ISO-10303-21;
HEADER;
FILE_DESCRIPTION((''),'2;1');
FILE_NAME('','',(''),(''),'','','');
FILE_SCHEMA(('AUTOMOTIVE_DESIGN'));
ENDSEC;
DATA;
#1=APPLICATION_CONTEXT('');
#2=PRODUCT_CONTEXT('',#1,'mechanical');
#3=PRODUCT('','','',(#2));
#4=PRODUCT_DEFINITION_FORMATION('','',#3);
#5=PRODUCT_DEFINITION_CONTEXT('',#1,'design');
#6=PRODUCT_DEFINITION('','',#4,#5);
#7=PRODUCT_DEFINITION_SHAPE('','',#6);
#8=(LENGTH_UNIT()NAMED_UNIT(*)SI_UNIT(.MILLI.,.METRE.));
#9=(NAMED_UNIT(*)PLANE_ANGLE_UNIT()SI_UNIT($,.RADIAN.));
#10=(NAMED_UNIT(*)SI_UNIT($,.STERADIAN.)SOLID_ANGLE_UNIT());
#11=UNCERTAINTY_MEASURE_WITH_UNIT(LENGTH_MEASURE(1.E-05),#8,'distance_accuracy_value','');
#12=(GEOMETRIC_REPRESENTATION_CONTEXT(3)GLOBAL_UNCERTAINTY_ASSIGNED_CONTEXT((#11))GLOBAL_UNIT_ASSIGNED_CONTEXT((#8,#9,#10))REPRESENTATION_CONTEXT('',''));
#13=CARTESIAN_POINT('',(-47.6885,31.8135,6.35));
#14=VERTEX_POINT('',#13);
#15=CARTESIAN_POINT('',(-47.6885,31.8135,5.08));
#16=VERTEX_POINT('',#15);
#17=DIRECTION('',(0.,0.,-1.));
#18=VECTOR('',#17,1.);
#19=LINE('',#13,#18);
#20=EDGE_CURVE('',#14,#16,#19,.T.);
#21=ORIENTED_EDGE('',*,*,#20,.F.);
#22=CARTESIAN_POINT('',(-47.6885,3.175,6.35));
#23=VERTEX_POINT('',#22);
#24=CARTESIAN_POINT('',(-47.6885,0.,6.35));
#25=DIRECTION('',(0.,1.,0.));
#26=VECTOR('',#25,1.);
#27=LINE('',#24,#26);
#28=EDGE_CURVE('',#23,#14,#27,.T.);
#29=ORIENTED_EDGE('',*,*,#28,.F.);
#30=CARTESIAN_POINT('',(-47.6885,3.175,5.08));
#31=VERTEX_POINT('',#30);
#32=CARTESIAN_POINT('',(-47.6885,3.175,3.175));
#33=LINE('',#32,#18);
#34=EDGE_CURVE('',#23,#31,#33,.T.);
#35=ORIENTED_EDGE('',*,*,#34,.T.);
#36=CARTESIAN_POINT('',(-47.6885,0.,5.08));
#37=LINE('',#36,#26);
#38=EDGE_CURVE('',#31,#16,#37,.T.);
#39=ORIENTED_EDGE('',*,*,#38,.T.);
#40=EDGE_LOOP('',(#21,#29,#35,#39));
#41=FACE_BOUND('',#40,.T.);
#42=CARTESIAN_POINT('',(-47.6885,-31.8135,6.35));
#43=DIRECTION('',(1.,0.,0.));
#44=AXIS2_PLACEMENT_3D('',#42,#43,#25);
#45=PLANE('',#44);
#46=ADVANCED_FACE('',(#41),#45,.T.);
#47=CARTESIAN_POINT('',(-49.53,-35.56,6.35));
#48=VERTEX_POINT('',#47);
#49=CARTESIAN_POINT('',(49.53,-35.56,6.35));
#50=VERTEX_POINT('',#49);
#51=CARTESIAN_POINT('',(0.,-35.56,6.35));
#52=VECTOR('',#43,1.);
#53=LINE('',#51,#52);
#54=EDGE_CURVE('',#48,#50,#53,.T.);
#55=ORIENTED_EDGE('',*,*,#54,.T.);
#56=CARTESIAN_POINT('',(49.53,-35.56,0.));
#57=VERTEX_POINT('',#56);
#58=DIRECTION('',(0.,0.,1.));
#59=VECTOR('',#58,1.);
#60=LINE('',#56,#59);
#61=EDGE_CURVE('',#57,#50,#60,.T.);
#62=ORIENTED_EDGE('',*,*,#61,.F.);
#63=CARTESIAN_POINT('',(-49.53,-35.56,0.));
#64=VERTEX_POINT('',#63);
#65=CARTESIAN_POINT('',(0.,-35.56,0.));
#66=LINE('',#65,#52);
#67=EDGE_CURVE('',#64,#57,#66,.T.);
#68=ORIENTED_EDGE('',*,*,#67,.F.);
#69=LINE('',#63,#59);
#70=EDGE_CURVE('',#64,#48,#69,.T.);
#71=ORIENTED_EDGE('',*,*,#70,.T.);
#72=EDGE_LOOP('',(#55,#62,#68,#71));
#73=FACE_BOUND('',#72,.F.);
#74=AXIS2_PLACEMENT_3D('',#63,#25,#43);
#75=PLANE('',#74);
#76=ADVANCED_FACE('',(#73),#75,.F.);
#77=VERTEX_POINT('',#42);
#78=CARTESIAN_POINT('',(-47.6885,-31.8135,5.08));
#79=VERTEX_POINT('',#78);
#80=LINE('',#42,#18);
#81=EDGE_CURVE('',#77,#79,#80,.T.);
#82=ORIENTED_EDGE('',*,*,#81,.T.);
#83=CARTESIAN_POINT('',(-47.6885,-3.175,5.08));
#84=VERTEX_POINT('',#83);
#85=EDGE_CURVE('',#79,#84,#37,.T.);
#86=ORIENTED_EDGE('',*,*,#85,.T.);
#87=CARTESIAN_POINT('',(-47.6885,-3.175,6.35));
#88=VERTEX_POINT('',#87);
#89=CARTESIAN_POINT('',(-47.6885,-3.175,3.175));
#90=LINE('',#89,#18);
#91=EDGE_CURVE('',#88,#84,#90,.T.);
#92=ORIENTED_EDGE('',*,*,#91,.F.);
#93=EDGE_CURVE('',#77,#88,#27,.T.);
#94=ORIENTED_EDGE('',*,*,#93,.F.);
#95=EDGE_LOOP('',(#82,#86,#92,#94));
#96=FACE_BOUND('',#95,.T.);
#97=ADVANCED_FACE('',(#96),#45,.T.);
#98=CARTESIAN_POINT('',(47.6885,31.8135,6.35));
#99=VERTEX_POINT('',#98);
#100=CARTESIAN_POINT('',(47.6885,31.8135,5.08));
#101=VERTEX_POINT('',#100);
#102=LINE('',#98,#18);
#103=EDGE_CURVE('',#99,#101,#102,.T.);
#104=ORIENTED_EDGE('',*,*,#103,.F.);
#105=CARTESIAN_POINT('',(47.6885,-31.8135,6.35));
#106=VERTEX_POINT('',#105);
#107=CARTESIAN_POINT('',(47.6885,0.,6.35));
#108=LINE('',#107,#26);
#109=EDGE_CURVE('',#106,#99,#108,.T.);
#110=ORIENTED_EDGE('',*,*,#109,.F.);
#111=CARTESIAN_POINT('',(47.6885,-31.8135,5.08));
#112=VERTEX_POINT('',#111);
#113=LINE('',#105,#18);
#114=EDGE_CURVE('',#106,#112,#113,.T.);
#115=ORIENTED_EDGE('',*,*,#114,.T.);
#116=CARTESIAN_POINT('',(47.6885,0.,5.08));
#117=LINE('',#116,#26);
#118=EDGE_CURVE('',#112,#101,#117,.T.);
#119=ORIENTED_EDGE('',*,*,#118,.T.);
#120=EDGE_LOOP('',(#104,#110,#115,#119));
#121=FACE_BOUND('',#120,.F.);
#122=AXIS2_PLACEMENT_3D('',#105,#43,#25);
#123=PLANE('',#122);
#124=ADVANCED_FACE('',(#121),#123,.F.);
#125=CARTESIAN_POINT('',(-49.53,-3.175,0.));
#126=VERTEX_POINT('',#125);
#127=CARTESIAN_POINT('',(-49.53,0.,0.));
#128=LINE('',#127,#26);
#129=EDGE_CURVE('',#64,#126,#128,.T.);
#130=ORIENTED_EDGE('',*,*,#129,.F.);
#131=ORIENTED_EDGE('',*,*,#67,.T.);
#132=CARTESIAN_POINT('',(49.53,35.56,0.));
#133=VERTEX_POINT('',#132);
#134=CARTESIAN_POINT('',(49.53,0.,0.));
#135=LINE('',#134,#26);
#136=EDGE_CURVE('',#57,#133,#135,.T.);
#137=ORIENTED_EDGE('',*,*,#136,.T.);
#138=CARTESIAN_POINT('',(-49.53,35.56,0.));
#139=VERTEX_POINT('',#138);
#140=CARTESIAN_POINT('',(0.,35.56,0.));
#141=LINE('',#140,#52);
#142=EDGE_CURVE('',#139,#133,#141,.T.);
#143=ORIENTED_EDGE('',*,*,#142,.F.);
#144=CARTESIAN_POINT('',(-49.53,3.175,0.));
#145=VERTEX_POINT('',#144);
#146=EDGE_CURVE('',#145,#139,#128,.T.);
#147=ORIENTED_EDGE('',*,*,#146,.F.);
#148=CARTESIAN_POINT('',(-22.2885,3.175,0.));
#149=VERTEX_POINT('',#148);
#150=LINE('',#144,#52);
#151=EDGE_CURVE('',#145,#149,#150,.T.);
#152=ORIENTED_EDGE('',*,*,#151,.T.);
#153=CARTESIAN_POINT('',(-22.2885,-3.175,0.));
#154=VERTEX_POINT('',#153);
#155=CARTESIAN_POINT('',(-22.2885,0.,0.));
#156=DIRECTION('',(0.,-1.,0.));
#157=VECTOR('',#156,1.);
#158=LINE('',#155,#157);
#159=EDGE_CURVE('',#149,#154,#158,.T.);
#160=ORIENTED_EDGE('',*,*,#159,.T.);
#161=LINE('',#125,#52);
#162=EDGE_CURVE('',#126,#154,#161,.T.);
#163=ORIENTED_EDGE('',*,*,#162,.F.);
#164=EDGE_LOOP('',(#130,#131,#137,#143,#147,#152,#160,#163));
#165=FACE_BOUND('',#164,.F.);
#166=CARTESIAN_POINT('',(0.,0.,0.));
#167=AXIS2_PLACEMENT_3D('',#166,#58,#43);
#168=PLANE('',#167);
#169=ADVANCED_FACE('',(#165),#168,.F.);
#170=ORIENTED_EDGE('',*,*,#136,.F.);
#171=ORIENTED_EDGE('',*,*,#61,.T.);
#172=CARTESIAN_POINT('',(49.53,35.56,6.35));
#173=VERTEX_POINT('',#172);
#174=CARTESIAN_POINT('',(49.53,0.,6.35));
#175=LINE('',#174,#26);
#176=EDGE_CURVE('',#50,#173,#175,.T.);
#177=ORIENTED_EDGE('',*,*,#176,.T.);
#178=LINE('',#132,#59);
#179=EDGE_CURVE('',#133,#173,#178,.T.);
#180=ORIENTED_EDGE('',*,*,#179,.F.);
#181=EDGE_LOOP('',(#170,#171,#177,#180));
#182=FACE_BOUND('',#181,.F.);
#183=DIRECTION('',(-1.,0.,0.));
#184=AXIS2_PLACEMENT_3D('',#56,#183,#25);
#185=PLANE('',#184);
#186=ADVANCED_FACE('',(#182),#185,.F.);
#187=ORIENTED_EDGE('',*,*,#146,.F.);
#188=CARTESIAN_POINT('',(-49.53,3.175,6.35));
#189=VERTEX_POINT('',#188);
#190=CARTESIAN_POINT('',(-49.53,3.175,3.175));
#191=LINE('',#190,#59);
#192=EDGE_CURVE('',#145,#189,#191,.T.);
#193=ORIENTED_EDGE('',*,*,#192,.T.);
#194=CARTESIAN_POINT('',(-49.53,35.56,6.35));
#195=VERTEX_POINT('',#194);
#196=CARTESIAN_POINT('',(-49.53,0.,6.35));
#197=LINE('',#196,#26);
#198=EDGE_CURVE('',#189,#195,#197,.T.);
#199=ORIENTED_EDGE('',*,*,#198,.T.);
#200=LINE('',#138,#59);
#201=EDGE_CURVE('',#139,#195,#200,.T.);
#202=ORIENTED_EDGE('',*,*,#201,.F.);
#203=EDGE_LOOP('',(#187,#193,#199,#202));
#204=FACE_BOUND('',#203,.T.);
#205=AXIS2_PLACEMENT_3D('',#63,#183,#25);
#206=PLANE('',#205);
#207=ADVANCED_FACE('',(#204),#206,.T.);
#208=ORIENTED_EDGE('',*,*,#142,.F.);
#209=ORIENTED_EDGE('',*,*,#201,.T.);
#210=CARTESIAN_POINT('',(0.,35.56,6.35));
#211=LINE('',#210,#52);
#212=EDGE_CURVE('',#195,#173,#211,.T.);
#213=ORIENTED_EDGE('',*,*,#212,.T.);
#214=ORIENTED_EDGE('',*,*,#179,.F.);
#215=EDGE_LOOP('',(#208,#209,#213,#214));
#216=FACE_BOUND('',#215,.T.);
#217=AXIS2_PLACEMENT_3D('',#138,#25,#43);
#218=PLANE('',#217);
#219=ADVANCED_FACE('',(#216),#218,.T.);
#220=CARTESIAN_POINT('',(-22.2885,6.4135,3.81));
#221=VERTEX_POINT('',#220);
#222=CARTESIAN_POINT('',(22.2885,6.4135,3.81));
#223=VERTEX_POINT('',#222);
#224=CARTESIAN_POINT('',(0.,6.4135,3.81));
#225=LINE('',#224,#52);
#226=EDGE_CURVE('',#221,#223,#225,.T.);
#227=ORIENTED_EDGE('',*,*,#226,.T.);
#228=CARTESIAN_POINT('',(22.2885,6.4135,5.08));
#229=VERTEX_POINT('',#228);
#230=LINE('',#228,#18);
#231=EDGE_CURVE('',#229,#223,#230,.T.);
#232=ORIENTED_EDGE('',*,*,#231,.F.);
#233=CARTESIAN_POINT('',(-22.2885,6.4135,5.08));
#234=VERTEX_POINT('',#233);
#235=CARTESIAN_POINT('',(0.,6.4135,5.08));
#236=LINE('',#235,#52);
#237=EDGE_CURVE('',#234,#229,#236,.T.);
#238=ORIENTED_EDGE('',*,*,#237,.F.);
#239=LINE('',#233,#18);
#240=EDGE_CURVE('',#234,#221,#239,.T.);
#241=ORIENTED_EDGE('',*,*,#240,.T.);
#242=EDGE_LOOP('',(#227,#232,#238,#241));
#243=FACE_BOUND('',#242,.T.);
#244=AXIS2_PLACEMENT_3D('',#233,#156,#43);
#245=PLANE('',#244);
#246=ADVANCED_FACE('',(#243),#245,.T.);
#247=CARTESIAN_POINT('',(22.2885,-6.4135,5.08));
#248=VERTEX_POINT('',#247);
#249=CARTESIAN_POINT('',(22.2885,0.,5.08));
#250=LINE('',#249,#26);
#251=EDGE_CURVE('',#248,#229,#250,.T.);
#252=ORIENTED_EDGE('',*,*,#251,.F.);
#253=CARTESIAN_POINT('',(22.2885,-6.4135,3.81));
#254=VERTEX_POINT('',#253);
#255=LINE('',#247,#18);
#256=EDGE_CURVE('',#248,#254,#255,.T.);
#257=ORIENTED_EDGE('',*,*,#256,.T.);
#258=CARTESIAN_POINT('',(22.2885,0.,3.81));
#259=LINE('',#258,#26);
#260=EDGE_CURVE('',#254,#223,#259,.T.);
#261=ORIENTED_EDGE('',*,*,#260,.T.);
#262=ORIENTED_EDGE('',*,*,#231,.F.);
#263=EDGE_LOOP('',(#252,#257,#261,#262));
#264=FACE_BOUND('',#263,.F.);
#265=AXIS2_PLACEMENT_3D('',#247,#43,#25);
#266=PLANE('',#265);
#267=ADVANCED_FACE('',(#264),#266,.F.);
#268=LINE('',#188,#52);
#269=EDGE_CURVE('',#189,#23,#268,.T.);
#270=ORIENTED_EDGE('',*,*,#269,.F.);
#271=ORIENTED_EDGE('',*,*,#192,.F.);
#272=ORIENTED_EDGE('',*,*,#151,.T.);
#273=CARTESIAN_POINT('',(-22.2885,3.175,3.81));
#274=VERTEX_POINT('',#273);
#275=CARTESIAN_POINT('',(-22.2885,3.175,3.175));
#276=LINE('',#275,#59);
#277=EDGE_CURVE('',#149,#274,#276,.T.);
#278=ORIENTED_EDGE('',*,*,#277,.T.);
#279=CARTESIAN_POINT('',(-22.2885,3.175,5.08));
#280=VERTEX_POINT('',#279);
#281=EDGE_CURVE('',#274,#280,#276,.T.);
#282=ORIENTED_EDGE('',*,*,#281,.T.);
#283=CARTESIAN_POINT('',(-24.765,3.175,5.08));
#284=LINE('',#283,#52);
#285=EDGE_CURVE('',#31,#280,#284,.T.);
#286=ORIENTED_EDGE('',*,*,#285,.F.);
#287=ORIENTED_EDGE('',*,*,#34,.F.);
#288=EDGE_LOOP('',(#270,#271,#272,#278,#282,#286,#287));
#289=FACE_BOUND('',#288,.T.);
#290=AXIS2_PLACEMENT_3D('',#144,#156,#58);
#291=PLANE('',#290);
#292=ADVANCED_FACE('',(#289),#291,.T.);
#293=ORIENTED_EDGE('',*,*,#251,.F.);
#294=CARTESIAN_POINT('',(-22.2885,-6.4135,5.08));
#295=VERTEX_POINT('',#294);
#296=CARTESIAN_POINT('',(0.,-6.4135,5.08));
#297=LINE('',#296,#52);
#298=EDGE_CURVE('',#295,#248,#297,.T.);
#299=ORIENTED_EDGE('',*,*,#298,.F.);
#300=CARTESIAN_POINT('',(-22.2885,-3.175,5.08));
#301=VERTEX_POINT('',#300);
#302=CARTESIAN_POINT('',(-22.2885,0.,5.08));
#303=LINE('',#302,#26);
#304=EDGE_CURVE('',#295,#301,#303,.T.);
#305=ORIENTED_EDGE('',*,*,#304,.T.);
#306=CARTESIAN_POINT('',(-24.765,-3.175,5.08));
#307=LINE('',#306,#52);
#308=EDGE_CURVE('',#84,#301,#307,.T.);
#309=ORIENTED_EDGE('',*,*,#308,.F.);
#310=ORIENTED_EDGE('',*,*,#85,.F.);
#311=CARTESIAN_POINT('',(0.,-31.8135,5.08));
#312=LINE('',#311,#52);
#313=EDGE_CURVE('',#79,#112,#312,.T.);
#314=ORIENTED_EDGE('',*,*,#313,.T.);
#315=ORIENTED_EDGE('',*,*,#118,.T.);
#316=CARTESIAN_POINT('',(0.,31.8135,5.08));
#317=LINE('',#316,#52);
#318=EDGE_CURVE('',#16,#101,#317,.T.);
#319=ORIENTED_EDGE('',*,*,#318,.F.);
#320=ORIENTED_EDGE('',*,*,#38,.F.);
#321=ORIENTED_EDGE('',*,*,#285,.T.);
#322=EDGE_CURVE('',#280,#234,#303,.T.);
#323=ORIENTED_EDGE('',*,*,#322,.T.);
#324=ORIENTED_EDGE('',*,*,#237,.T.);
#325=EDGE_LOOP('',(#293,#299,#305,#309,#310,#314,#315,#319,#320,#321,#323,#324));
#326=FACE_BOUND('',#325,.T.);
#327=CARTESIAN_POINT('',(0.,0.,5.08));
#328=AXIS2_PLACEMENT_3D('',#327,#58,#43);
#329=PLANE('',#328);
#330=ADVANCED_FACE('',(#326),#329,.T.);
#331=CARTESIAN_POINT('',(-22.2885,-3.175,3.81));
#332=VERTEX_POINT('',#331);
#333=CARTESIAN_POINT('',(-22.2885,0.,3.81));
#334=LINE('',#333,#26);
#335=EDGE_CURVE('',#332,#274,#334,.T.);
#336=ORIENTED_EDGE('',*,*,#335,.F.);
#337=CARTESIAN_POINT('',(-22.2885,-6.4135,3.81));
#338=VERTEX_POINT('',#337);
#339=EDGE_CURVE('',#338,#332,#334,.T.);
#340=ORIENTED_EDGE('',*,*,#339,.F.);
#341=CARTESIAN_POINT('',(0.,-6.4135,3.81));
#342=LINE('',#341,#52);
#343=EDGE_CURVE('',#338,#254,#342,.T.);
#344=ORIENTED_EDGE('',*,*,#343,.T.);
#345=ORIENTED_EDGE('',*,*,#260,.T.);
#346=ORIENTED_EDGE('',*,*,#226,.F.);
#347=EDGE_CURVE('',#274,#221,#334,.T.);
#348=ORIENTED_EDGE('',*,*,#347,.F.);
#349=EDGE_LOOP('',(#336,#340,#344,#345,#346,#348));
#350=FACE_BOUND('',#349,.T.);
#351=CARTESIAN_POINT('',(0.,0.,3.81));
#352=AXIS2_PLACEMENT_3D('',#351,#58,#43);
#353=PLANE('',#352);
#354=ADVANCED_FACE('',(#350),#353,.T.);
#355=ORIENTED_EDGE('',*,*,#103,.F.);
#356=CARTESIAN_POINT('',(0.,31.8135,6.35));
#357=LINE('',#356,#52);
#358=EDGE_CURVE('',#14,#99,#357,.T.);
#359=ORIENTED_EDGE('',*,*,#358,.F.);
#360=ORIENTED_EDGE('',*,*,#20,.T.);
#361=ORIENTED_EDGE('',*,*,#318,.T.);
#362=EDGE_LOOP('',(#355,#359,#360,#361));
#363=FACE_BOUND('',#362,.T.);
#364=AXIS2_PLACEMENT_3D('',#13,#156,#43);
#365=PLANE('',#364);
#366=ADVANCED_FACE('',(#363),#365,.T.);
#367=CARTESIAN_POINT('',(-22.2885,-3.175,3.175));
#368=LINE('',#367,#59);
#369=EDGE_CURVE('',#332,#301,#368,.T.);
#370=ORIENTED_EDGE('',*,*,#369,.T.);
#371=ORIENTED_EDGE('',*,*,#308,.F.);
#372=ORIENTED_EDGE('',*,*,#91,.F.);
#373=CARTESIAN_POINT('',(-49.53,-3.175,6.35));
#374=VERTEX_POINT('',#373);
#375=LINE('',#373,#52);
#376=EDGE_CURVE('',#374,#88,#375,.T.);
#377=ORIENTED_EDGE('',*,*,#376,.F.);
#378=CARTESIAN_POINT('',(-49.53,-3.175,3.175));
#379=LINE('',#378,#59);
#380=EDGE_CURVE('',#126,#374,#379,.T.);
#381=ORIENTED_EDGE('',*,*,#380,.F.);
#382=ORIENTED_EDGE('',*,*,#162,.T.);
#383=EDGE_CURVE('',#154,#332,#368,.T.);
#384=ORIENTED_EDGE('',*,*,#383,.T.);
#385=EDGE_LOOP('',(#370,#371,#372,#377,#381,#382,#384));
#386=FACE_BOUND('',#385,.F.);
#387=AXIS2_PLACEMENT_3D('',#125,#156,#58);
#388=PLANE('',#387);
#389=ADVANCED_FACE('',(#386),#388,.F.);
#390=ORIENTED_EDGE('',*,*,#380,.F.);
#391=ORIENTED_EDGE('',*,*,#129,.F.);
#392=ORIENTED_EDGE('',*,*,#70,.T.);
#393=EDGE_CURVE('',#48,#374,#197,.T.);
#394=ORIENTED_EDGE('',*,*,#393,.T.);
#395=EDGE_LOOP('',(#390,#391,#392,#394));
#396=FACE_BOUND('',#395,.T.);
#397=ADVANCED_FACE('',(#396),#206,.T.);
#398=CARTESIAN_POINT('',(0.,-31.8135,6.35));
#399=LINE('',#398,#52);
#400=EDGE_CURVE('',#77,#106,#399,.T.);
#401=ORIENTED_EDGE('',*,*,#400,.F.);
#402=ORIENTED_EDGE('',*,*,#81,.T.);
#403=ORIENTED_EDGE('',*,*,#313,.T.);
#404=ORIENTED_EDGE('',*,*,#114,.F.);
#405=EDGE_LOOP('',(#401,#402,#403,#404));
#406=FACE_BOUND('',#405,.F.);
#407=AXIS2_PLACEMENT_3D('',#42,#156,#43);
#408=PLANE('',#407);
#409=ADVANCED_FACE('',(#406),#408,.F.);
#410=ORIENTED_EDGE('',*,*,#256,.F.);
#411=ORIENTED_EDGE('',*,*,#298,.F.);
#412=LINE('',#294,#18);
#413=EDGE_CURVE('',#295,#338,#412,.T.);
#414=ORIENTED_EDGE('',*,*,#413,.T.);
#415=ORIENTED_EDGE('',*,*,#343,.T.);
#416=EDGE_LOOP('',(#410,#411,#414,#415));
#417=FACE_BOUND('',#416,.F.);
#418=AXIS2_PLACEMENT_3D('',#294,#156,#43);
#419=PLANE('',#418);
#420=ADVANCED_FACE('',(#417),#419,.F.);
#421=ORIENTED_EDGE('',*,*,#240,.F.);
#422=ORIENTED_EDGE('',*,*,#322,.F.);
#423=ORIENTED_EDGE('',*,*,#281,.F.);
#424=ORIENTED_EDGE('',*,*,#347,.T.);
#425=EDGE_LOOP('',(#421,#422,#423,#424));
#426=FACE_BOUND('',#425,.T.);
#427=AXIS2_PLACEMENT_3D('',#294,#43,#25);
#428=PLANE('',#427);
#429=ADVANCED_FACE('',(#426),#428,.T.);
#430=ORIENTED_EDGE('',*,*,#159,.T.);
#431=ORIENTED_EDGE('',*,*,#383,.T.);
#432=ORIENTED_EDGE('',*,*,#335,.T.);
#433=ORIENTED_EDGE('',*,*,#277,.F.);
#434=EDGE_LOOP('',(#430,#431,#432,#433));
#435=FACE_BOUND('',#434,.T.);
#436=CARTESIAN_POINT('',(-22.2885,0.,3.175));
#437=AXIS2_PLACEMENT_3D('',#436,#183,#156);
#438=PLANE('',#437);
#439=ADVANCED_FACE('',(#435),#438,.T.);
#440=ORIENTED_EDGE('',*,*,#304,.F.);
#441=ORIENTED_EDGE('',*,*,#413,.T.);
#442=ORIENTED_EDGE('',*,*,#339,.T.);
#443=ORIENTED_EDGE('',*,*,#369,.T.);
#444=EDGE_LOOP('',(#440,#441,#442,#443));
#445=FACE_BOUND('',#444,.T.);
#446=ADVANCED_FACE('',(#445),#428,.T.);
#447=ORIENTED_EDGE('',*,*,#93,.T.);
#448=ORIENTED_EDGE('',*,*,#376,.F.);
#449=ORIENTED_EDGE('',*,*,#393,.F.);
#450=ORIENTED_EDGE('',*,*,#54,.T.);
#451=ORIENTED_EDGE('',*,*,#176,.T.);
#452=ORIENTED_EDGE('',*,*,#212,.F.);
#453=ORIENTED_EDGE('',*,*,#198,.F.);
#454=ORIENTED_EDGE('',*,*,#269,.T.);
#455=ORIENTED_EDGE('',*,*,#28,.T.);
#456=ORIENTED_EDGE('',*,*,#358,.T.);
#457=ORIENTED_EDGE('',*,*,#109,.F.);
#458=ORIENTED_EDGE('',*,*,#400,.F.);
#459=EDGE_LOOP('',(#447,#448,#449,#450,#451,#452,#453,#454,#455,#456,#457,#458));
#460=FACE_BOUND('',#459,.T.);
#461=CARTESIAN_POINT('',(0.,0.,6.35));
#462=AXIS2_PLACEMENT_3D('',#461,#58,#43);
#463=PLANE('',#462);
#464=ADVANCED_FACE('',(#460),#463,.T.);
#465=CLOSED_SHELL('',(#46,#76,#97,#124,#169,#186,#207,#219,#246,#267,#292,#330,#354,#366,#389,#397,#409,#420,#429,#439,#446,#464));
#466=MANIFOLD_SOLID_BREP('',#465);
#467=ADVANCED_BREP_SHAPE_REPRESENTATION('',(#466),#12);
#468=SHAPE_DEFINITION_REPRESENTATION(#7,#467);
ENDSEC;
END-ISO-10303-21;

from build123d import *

# Parameters (mm, degrees)
F0_W     = 99.06
F0_H     = 71.12
F1_DEPTH = 6.35
F2_W     = 95.377
F2_H     = 63.627
F3_DEPTH = 1.27
F4_W     = 44.577
F4_H     = 12.827
F5_DEPTH = 1.27
F6_W     = 6.35
F6_H     = 6.35
F7_DEPTH = 27.2415


with BuildPart() as f1:
    # F0 (on Top) → F1 (new body)
    with BuildSketch(Plane.XY):
        Rectangle(F0_W, F0_H)
    extrude(amount=F1_DEPTH)

    # F2 (on face) → F3 (cut)
    with BuildSketch(Plane.XY.offset(6.35)):
        Rectangle(F2_W, F2_H)
    extrude(amount=-F3_DEPTH, mode=Mode.SUBTRACT)

    # F4 (on face) → F5 (cut)
    with BuildSketch(Plane.XY.offset(5.08)):
        Rectangle(F4_W, F4_H)
    extrude(amount=-F5_DEPTH, mode=Mode.SUBTRACT)

    # F6 (on face) → F7 (cut, through all)
    with BuildSketch(Plane(origin=(-49.53, 0, 0), x_dir=(0, -1, 0), z_dir=(-1, 0, 0))):
        with Locations((0, 3.175)):
            Rectangle(F6_W, F6_H)
    extrude(amount=-F7_DEPTH, mode=Mode.SUBTRACT)


solid = f1.part
